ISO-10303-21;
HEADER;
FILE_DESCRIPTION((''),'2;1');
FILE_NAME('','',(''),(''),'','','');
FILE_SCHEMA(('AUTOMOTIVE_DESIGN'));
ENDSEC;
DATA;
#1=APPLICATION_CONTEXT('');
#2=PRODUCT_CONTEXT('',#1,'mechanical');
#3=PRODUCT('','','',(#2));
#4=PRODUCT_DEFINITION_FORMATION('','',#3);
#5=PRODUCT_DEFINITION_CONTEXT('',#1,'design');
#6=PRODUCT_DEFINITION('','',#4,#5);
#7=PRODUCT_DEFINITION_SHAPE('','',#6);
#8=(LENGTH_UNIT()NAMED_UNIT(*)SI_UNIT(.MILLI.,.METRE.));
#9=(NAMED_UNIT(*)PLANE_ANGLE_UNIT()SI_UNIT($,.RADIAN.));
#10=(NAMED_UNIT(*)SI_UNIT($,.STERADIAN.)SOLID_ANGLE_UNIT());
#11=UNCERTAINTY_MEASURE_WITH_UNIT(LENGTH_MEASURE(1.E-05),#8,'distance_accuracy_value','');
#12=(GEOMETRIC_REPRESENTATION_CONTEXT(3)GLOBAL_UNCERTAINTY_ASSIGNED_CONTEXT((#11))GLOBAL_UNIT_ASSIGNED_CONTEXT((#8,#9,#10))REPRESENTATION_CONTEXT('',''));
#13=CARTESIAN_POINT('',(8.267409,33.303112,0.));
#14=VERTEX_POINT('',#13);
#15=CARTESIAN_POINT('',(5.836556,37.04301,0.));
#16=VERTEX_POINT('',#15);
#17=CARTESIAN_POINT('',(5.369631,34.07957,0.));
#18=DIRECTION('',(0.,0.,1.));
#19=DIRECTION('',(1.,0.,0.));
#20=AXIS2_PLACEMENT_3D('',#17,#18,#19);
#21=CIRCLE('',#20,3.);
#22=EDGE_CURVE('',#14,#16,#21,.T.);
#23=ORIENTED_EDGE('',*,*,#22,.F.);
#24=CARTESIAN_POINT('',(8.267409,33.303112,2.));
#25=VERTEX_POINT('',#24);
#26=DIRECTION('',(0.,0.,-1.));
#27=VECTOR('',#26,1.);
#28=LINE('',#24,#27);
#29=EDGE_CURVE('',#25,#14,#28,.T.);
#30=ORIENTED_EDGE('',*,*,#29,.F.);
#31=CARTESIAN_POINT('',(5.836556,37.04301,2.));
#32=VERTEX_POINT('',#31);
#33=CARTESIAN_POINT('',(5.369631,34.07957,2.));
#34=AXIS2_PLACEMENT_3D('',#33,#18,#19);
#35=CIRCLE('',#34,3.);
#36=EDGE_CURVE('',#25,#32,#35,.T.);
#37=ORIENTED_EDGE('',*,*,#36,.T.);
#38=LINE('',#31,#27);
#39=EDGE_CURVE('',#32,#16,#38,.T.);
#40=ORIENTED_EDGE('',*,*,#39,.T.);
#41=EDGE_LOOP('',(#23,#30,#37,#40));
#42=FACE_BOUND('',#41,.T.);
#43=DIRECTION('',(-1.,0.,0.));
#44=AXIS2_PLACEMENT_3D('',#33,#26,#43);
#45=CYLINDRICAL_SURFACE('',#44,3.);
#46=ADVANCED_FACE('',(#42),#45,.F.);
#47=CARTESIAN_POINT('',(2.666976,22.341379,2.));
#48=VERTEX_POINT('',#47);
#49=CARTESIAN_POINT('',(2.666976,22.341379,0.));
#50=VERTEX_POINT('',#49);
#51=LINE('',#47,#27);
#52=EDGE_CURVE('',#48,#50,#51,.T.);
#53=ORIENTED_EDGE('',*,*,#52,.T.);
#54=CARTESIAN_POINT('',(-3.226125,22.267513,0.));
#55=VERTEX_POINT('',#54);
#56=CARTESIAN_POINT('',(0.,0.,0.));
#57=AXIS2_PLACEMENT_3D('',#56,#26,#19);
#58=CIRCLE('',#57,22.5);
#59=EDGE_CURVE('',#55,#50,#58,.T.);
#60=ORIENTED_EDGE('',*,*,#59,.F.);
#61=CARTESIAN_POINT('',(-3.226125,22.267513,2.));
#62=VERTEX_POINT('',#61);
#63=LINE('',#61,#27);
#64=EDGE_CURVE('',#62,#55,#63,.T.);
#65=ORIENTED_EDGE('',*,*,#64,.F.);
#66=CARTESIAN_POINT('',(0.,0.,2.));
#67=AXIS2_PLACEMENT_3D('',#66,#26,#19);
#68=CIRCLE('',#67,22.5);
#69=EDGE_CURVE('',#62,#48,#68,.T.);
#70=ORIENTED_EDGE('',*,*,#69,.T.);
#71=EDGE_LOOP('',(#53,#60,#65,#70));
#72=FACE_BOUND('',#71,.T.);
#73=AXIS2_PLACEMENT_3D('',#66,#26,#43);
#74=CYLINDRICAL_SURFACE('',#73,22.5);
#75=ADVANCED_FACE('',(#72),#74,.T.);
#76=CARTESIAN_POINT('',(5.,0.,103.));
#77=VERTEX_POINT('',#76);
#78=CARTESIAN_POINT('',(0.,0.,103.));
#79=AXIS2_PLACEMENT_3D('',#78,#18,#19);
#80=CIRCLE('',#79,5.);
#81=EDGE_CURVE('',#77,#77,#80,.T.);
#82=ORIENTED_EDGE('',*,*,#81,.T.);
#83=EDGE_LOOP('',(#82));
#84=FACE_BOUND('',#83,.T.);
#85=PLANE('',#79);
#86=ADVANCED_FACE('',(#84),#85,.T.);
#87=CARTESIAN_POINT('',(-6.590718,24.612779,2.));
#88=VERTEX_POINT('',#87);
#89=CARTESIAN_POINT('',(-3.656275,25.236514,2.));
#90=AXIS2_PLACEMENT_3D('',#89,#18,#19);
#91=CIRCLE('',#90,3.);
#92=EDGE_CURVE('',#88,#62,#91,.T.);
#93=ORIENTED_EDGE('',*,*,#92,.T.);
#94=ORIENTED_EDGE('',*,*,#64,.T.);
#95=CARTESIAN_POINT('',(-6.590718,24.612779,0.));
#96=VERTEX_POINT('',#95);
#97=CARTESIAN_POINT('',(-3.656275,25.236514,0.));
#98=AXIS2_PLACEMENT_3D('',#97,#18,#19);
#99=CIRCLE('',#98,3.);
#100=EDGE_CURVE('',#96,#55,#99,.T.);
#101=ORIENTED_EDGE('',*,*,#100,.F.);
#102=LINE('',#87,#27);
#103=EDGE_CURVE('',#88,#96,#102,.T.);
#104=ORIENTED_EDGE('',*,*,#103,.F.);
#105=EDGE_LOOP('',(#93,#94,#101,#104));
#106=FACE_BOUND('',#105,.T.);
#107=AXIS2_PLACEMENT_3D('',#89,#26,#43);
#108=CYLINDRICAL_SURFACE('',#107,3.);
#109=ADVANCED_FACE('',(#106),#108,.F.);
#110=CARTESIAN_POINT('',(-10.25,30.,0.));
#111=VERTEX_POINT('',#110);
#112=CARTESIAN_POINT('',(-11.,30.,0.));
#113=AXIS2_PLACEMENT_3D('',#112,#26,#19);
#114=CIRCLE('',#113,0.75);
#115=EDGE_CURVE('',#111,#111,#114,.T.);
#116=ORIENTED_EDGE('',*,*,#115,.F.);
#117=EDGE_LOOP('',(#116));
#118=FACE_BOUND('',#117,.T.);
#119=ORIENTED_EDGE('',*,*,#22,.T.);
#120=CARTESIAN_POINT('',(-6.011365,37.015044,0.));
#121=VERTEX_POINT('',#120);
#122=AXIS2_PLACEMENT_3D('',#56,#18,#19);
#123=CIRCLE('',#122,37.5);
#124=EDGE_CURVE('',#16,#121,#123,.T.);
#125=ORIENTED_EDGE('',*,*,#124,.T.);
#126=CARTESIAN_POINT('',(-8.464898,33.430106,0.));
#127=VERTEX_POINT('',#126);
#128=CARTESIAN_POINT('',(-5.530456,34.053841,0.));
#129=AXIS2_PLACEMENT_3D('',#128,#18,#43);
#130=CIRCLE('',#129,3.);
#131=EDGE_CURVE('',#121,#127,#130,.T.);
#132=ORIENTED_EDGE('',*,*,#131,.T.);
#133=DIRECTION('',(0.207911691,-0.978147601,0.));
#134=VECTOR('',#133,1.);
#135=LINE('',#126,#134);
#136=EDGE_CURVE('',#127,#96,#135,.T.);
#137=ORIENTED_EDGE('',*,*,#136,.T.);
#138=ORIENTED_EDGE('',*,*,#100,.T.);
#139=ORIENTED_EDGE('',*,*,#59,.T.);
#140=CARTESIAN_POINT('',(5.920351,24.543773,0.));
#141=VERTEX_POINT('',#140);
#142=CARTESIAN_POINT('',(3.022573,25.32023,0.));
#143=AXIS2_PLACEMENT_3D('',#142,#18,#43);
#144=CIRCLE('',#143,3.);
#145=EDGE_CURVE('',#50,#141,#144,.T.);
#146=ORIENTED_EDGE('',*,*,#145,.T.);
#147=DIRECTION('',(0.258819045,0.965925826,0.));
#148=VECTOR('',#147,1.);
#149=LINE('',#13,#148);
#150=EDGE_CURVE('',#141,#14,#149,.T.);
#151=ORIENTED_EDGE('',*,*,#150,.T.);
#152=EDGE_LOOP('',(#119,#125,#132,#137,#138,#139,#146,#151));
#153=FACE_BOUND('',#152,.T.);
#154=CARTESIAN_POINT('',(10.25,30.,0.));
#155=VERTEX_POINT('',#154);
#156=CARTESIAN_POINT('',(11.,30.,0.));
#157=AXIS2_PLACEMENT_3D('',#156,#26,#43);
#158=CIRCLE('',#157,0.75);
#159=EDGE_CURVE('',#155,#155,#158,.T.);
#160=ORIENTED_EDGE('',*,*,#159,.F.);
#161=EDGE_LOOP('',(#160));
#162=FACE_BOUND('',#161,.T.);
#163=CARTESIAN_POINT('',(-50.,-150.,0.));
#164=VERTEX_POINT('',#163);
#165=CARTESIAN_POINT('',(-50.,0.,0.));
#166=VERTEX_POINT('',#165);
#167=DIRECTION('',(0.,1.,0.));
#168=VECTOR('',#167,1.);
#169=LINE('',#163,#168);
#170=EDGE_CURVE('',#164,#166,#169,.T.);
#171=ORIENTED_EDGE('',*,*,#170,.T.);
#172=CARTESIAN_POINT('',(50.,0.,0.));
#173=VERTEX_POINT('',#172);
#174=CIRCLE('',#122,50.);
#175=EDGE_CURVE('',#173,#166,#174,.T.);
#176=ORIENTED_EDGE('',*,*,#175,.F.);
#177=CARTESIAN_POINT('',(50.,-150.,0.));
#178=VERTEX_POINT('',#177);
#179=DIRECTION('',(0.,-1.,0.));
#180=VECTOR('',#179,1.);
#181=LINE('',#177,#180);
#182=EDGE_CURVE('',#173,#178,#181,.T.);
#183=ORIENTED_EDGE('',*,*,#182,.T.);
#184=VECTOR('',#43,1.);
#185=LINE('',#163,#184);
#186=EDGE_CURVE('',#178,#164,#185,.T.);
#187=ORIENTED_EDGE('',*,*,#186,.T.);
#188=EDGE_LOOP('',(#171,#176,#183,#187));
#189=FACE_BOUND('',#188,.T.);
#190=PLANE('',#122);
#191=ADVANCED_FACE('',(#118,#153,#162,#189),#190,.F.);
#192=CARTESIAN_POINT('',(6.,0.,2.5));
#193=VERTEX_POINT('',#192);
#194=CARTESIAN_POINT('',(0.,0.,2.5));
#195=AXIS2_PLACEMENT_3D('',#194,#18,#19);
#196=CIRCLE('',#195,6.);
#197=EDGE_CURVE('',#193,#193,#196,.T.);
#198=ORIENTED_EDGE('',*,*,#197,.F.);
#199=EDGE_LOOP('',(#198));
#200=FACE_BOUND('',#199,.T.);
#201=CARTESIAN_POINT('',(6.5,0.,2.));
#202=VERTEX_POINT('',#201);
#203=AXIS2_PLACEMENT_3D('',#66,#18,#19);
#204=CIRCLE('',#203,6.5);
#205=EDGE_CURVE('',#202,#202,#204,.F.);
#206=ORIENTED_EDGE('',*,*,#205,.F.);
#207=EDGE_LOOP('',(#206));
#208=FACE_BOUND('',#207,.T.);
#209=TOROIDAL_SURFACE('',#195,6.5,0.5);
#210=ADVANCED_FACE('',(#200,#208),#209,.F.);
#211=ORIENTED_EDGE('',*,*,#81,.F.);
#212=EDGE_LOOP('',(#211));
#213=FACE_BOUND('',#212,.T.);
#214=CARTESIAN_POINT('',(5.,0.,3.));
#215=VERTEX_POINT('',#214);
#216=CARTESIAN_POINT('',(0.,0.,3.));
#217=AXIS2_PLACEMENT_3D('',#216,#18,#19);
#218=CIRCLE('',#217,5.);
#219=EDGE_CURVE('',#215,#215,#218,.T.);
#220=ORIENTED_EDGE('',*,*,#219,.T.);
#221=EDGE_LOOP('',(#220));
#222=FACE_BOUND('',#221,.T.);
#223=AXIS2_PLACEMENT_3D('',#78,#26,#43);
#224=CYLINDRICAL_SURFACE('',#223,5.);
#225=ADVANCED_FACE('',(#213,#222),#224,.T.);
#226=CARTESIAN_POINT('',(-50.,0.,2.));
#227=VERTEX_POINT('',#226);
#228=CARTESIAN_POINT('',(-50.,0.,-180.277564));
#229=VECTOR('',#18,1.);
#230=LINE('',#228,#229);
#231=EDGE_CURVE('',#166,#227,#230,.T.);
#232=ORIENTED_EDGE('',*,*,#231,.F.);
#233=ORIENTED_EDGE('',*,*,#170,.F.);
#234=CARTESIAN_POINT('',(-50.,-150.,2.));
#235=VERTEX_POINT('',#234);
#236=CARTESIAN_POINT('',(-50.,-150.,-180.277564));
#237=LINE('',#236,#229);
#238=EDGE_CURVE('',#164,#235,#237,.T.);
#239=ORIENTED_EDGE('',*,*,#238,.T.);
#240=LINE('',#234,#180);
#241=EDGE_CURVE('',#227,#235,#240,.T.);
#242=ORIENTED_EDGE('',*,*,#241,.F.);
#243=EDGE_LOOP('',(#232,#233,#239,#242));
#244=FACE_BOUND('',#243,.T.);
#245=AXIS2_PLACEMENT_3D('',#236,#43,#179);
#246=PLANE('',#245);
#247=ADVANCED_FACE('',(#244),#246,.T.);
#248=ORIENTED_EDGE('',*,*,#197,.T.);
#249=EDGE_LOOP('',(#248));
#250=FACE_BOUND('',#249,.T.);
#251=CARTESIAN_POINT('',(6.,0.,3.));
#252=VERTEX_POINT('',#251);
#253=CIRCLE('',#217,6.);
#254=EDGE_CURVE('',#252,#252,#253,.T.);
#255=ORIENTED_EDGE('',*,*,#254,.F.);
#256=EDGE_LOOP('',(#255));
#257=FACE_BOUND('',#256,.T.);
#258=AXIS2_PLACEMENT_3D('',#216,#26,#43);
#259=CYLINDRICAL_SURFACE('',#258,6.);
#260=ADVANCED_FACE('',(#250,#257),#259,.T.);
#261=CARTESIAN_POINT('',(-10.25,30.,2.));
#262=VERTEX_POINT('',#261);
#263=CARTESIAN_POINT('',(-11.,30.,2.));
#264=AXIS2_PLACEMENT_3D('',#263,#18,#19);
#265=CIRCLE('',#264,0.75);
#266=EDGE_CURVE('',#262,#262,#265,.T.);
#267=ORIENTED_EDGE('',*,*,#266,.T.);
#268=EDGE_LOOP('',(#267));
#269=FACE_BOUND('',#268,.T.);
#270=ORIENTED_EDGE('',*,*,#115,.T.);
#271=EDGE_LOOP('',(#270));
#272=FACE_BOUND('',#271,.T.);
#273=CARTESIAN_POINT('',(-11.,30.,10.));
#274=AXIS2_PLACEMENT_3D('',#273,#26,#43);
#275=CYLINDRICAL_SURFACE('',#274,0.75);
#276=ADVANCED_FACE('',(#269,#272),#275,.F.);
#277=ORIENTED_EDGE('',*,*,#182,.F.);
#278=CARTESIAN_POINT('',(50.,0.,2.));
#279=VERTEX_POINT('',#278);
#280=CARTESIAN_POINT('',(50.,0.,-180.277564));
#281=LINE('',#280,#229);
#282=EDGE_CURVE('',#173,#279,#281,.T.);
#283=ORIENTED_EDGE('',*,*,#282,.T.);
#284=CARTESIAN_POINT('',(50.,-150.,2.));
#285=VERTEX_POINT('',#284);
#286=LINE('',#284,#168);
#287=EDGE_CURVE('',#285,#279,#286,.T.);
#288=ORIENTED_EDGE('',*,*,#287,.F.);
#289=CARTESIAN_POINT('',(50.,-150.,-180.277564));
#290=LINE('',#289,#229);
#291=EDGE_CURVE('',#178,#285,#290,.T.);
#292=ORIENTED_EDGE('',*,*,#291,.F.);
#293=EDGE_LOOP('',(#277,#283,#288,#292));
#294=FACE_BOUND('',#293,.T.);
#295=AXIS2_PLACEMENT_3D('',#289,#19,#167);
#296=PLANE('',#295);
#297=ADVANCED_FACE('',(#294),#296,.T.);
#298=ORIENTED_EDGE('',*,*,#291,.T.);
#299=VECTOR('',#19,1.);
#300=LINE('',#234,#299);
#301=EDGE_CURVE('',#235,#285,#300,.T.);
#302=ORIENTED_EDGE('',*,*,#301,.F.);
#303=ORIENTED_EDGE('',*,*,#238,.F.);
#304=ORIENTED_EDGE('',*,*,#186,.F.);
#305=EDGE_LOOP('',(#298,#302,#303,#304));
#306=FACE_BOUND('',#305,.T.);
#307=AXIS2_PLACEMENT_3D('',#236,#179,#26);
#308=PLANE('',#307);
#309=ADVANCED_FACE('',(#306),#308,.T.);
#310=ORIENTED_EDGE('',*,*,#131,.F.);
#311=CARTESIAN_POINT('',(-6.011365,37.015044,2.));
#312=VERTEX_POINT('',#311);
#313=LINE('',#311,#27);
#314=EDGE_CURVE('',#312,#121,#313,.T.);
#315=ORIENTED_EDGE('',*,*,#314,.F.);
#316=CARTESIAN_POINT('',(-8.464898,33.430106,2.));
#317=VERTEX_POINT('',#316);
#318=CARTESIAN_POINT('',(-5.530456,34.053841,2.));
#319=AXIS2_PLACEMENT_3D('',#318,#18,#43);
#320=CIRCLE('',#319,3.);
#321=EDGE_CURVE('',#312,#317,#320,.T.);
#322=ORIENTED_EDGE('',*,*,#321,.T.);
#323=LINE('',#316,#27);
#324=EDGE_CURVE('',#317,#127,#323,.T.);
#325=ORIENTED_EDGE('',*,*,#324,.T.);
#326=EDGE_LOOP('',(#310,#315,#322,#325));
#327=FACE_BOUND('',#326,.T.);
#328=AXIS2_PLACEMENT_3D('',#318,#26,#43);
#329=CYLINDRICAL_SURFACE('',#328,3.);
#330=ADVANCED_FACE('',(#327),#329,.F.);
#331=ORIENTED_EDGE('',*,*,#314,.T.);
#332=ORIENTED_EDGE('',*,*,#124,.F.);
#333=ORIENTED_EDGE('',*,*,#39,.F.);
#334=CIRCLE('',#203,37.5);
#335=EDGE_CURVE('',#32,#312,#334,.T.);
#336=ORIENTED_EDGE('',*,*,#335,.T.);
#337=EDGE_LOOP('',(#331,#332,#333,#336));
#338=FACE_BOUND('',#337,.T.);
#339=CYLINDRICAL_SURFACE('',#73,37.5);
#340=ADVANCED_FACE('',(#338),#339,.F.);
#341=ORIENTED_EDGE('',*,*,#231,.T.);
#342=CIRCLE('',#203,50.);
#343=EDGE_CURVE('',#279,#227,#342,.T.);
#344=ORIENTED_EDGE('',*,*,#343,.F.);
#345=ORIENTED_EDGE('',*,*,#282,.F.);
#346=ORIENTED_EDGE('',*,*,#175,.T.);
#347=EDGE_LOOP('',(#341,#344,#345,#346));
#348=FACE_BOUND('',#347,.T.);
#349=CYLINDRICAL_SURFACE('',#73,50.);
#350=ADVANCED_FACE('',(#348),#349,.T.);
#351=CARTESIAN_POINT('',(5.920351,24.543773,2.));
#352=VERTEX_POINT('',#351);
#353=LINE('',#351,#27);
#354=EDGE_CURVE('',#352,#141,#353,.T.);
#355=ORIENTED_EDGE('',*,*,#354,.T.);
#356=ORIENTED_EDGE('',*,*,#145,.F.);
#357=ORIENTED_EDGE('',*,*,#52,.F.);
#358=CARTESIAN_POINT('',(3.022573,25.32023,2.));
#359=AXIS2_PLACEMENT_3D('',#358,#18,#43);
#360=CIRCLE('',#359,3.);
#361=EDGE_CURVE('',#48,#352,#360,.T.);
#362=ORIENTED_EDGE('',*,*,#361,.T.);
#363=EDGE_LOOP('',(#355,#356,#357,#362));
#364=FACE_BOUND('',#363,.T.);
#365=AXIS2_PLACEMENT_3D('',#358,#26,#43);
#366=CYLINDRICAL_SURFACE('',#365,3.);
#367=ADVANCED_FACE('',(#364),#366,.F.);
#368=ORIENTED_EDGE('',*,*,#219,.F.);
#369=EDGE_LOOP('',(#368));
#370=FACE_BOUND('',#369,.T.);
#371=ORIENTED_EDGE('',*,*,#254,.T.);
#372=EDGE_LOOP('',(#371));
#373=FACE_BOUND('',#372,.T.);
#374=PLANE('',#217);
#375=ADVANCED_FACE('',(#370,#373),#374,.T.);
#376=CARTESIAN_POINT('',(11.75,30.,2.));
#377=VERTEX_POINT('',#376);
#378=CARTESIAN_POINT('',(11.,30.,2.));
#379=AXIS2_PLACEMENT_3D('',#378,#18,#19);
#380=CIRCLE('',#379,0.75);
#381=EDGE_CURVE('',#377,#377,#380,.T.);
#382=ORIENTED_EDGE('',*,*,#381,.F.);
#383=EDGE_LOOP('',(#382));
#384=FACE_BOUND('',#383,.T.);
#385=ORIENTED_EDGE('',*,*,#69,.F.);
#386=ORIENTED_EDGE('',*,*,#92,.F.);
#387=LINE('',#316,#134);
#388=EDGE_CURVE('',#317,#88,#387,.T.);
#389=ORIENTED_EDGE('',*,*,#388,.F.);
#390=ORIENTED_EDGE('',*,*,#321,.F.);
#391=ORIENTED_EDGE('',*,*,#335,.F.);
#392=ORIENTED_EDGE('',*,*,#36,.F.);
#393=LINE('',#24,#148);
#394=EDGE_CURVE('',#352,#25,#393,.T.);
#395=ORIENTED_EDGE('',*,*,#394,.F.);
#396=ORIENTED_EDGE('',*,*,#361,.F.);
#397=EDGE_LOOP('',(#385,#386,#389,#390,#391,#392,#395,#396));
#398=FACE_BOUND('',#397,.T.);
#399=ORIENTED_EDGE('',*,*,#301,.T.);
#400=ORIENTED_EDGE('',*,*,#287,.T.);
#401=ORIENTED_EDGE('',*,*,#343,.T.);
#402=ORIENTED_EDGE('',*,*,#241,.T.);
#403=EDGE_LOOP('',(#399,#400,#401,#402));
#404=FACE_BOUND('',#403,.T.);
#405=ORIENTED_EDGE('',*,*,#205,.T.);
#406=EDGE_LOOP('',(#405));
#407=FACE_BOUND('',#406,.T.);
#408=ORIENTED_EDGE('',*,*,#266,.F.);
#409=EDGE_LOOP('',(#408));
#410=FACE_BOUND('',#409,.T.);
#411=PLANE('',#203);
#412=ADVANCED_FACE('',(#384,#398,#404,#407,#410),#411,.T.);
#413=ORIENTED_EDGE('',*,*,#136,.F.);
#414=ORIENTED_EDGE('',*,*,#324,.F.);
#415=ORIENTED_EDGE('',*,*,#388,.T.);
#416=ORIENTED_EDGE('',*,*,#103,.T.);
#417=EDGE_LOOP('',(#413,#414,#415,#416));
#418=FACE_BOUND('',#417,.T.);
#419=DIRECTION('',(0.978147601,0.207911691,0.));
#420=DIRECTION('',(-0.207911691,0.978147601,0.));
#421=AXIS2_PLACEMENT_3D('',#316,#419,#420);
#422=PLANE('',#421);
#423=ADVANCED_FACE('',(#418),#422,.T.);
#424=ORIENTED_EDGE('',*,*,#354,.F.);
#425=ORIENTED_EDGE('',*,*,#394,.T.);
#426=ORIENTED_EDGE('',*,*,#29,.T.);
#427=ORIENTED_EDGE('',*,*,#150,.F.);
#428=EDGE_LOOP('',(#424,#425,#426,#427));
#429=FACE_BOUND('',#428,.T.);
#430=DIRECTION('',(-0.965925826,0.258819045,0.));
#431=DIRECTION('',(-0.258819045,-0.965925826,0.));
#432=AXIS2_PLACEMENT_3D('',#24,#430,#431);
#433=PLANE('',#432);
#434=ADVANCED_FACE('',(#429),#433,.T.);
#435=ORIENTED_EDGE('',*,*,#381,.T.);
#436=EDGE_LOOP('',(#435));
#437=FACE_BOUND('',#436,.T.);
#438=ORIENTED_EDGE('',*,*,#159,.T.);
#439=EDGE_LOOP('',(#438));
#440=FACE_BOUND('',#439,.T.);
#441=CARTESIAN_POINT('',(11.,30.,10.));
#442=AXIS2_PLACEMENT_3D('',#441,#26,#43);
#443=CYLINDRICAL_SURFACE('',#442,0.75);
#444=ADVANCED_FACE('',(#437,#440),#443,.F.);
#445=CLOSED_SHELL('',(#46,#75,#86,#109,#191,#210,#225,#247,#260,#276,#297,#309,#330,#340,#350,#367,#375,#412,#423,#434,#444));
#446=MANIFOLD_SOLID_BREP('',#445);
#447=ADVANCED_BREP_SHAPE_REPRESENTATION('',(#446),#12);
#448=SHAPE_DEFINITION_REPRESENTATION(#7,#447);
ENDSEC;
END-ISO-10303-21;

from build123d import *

# Parameters (mm, degrees)
SKETCH_1_R          = 50
EXTRUDE_1_DEPTH     = 2
SKETCH_2_R          = 6
EXTRUDE_2_DEPTH     = 1
SKETCH_3_R          = 5
EXTRUDE_3_DEPTH     = 100
FILLET_1_R          = 0.5
SKETCH_4_R          = 0.75
CUT_EXTRUDE_1_DEPTH = 10
SKETCH_5_W          = 100
SKETCH_5_H          = 150
EXTRUDE_4_DEPTH     = 2


with BuildPart() as part:
    # 草图1 → 凸台-拉伸1 (new body)
    with BuildSketch(Plane.XY):
        Circle(SKETCH_1_R)
        with BuildLine():
            Line((-8.46489845, 33.430105538), (-6.59071788, 24.612779199))
            ThreePointArc((-6.59071788, 24.612779199), (-5.371774848, 22.775404656), (-3.226125068, 22.267512592))
            ThreePointArc((-3.226125068, 22.267512592), (-0.282003378, 22.498232688), (2.666976337, 22.341379483))
            ThreePointArc((2.666976337, 22.341379483), (4.704329655, 22.835940411), (5.920350661, 24.543772946))
            Line((5.920350661, 24.543772946), (8.267408601, 33.303112428))
            ThreePointArc((8.267408601, 33.303112428), (7.884986755, 35.714496485), (5.836555568, 37.043010395))
            ThreePointArc((5.836555568, 37.043010395), (-0.088516087, 37.499895532), (-6.011364834, 37.015044142))
            ThreePointArc((-6.011364834, 37.015044142), (-8.006158275, 35.748212618), (-8.46489845, 33.430105538))
        make_face(mode=Mode.SUBTRACT)
    extrude(amount=EXTRUDE_1_DEPTH)

    # 草图2 → 凸台-拉伸2 (add)
    with BuildSketch(Plane.XY.offset(2)):
        Circle(SKETCH_2_R)
    extrude(amount=EXTRUDE_2_DEPTH)

    # 草图3 → 凸台-拉伸3 (add)
    with BuildSketch(Plane.XY.offset(3)):
        Circle(SKETCH_3_R)
    extrude(amount=EXTRUDE_3_DEPTH)

    # 圆角1
    fillet_1_edges = [part.edges().sort_by_distance(p)[0] for p in [
        (-6, 0, 2),
    ]]
    fillet(fillet_1_edges, radius=FILLET_1_R)

    # 草图4 → 切除-拉伸1 (cut)
    with BuildSketch(Plane(origin=(0, 0, 0), x_dir=(-1, 0, 0), z_dir=(0, 0, -1))):
        with Locations((-11, 30)):
            Circle(SKETCH_4_R)
        with Locations(Location((11, 30, 0), (0, 0, 180))):
            Circle(SKETCH_4_R)
    extrude(amount=-CUT_EXTRUDE_1_DEPTH, mode=Mode.SUBTRACT)

    # 草图5 → 凸台-拉伸4 (add)
    with BuildSketch(Plane.XY.offset(2)):
        with Locations((0, -75)):
            Rectangle(SKETCH_5_W, SKETCH_5_H)
    extrude(amount=-EXTRUDE_4_DEPTH)


solid = part.part
